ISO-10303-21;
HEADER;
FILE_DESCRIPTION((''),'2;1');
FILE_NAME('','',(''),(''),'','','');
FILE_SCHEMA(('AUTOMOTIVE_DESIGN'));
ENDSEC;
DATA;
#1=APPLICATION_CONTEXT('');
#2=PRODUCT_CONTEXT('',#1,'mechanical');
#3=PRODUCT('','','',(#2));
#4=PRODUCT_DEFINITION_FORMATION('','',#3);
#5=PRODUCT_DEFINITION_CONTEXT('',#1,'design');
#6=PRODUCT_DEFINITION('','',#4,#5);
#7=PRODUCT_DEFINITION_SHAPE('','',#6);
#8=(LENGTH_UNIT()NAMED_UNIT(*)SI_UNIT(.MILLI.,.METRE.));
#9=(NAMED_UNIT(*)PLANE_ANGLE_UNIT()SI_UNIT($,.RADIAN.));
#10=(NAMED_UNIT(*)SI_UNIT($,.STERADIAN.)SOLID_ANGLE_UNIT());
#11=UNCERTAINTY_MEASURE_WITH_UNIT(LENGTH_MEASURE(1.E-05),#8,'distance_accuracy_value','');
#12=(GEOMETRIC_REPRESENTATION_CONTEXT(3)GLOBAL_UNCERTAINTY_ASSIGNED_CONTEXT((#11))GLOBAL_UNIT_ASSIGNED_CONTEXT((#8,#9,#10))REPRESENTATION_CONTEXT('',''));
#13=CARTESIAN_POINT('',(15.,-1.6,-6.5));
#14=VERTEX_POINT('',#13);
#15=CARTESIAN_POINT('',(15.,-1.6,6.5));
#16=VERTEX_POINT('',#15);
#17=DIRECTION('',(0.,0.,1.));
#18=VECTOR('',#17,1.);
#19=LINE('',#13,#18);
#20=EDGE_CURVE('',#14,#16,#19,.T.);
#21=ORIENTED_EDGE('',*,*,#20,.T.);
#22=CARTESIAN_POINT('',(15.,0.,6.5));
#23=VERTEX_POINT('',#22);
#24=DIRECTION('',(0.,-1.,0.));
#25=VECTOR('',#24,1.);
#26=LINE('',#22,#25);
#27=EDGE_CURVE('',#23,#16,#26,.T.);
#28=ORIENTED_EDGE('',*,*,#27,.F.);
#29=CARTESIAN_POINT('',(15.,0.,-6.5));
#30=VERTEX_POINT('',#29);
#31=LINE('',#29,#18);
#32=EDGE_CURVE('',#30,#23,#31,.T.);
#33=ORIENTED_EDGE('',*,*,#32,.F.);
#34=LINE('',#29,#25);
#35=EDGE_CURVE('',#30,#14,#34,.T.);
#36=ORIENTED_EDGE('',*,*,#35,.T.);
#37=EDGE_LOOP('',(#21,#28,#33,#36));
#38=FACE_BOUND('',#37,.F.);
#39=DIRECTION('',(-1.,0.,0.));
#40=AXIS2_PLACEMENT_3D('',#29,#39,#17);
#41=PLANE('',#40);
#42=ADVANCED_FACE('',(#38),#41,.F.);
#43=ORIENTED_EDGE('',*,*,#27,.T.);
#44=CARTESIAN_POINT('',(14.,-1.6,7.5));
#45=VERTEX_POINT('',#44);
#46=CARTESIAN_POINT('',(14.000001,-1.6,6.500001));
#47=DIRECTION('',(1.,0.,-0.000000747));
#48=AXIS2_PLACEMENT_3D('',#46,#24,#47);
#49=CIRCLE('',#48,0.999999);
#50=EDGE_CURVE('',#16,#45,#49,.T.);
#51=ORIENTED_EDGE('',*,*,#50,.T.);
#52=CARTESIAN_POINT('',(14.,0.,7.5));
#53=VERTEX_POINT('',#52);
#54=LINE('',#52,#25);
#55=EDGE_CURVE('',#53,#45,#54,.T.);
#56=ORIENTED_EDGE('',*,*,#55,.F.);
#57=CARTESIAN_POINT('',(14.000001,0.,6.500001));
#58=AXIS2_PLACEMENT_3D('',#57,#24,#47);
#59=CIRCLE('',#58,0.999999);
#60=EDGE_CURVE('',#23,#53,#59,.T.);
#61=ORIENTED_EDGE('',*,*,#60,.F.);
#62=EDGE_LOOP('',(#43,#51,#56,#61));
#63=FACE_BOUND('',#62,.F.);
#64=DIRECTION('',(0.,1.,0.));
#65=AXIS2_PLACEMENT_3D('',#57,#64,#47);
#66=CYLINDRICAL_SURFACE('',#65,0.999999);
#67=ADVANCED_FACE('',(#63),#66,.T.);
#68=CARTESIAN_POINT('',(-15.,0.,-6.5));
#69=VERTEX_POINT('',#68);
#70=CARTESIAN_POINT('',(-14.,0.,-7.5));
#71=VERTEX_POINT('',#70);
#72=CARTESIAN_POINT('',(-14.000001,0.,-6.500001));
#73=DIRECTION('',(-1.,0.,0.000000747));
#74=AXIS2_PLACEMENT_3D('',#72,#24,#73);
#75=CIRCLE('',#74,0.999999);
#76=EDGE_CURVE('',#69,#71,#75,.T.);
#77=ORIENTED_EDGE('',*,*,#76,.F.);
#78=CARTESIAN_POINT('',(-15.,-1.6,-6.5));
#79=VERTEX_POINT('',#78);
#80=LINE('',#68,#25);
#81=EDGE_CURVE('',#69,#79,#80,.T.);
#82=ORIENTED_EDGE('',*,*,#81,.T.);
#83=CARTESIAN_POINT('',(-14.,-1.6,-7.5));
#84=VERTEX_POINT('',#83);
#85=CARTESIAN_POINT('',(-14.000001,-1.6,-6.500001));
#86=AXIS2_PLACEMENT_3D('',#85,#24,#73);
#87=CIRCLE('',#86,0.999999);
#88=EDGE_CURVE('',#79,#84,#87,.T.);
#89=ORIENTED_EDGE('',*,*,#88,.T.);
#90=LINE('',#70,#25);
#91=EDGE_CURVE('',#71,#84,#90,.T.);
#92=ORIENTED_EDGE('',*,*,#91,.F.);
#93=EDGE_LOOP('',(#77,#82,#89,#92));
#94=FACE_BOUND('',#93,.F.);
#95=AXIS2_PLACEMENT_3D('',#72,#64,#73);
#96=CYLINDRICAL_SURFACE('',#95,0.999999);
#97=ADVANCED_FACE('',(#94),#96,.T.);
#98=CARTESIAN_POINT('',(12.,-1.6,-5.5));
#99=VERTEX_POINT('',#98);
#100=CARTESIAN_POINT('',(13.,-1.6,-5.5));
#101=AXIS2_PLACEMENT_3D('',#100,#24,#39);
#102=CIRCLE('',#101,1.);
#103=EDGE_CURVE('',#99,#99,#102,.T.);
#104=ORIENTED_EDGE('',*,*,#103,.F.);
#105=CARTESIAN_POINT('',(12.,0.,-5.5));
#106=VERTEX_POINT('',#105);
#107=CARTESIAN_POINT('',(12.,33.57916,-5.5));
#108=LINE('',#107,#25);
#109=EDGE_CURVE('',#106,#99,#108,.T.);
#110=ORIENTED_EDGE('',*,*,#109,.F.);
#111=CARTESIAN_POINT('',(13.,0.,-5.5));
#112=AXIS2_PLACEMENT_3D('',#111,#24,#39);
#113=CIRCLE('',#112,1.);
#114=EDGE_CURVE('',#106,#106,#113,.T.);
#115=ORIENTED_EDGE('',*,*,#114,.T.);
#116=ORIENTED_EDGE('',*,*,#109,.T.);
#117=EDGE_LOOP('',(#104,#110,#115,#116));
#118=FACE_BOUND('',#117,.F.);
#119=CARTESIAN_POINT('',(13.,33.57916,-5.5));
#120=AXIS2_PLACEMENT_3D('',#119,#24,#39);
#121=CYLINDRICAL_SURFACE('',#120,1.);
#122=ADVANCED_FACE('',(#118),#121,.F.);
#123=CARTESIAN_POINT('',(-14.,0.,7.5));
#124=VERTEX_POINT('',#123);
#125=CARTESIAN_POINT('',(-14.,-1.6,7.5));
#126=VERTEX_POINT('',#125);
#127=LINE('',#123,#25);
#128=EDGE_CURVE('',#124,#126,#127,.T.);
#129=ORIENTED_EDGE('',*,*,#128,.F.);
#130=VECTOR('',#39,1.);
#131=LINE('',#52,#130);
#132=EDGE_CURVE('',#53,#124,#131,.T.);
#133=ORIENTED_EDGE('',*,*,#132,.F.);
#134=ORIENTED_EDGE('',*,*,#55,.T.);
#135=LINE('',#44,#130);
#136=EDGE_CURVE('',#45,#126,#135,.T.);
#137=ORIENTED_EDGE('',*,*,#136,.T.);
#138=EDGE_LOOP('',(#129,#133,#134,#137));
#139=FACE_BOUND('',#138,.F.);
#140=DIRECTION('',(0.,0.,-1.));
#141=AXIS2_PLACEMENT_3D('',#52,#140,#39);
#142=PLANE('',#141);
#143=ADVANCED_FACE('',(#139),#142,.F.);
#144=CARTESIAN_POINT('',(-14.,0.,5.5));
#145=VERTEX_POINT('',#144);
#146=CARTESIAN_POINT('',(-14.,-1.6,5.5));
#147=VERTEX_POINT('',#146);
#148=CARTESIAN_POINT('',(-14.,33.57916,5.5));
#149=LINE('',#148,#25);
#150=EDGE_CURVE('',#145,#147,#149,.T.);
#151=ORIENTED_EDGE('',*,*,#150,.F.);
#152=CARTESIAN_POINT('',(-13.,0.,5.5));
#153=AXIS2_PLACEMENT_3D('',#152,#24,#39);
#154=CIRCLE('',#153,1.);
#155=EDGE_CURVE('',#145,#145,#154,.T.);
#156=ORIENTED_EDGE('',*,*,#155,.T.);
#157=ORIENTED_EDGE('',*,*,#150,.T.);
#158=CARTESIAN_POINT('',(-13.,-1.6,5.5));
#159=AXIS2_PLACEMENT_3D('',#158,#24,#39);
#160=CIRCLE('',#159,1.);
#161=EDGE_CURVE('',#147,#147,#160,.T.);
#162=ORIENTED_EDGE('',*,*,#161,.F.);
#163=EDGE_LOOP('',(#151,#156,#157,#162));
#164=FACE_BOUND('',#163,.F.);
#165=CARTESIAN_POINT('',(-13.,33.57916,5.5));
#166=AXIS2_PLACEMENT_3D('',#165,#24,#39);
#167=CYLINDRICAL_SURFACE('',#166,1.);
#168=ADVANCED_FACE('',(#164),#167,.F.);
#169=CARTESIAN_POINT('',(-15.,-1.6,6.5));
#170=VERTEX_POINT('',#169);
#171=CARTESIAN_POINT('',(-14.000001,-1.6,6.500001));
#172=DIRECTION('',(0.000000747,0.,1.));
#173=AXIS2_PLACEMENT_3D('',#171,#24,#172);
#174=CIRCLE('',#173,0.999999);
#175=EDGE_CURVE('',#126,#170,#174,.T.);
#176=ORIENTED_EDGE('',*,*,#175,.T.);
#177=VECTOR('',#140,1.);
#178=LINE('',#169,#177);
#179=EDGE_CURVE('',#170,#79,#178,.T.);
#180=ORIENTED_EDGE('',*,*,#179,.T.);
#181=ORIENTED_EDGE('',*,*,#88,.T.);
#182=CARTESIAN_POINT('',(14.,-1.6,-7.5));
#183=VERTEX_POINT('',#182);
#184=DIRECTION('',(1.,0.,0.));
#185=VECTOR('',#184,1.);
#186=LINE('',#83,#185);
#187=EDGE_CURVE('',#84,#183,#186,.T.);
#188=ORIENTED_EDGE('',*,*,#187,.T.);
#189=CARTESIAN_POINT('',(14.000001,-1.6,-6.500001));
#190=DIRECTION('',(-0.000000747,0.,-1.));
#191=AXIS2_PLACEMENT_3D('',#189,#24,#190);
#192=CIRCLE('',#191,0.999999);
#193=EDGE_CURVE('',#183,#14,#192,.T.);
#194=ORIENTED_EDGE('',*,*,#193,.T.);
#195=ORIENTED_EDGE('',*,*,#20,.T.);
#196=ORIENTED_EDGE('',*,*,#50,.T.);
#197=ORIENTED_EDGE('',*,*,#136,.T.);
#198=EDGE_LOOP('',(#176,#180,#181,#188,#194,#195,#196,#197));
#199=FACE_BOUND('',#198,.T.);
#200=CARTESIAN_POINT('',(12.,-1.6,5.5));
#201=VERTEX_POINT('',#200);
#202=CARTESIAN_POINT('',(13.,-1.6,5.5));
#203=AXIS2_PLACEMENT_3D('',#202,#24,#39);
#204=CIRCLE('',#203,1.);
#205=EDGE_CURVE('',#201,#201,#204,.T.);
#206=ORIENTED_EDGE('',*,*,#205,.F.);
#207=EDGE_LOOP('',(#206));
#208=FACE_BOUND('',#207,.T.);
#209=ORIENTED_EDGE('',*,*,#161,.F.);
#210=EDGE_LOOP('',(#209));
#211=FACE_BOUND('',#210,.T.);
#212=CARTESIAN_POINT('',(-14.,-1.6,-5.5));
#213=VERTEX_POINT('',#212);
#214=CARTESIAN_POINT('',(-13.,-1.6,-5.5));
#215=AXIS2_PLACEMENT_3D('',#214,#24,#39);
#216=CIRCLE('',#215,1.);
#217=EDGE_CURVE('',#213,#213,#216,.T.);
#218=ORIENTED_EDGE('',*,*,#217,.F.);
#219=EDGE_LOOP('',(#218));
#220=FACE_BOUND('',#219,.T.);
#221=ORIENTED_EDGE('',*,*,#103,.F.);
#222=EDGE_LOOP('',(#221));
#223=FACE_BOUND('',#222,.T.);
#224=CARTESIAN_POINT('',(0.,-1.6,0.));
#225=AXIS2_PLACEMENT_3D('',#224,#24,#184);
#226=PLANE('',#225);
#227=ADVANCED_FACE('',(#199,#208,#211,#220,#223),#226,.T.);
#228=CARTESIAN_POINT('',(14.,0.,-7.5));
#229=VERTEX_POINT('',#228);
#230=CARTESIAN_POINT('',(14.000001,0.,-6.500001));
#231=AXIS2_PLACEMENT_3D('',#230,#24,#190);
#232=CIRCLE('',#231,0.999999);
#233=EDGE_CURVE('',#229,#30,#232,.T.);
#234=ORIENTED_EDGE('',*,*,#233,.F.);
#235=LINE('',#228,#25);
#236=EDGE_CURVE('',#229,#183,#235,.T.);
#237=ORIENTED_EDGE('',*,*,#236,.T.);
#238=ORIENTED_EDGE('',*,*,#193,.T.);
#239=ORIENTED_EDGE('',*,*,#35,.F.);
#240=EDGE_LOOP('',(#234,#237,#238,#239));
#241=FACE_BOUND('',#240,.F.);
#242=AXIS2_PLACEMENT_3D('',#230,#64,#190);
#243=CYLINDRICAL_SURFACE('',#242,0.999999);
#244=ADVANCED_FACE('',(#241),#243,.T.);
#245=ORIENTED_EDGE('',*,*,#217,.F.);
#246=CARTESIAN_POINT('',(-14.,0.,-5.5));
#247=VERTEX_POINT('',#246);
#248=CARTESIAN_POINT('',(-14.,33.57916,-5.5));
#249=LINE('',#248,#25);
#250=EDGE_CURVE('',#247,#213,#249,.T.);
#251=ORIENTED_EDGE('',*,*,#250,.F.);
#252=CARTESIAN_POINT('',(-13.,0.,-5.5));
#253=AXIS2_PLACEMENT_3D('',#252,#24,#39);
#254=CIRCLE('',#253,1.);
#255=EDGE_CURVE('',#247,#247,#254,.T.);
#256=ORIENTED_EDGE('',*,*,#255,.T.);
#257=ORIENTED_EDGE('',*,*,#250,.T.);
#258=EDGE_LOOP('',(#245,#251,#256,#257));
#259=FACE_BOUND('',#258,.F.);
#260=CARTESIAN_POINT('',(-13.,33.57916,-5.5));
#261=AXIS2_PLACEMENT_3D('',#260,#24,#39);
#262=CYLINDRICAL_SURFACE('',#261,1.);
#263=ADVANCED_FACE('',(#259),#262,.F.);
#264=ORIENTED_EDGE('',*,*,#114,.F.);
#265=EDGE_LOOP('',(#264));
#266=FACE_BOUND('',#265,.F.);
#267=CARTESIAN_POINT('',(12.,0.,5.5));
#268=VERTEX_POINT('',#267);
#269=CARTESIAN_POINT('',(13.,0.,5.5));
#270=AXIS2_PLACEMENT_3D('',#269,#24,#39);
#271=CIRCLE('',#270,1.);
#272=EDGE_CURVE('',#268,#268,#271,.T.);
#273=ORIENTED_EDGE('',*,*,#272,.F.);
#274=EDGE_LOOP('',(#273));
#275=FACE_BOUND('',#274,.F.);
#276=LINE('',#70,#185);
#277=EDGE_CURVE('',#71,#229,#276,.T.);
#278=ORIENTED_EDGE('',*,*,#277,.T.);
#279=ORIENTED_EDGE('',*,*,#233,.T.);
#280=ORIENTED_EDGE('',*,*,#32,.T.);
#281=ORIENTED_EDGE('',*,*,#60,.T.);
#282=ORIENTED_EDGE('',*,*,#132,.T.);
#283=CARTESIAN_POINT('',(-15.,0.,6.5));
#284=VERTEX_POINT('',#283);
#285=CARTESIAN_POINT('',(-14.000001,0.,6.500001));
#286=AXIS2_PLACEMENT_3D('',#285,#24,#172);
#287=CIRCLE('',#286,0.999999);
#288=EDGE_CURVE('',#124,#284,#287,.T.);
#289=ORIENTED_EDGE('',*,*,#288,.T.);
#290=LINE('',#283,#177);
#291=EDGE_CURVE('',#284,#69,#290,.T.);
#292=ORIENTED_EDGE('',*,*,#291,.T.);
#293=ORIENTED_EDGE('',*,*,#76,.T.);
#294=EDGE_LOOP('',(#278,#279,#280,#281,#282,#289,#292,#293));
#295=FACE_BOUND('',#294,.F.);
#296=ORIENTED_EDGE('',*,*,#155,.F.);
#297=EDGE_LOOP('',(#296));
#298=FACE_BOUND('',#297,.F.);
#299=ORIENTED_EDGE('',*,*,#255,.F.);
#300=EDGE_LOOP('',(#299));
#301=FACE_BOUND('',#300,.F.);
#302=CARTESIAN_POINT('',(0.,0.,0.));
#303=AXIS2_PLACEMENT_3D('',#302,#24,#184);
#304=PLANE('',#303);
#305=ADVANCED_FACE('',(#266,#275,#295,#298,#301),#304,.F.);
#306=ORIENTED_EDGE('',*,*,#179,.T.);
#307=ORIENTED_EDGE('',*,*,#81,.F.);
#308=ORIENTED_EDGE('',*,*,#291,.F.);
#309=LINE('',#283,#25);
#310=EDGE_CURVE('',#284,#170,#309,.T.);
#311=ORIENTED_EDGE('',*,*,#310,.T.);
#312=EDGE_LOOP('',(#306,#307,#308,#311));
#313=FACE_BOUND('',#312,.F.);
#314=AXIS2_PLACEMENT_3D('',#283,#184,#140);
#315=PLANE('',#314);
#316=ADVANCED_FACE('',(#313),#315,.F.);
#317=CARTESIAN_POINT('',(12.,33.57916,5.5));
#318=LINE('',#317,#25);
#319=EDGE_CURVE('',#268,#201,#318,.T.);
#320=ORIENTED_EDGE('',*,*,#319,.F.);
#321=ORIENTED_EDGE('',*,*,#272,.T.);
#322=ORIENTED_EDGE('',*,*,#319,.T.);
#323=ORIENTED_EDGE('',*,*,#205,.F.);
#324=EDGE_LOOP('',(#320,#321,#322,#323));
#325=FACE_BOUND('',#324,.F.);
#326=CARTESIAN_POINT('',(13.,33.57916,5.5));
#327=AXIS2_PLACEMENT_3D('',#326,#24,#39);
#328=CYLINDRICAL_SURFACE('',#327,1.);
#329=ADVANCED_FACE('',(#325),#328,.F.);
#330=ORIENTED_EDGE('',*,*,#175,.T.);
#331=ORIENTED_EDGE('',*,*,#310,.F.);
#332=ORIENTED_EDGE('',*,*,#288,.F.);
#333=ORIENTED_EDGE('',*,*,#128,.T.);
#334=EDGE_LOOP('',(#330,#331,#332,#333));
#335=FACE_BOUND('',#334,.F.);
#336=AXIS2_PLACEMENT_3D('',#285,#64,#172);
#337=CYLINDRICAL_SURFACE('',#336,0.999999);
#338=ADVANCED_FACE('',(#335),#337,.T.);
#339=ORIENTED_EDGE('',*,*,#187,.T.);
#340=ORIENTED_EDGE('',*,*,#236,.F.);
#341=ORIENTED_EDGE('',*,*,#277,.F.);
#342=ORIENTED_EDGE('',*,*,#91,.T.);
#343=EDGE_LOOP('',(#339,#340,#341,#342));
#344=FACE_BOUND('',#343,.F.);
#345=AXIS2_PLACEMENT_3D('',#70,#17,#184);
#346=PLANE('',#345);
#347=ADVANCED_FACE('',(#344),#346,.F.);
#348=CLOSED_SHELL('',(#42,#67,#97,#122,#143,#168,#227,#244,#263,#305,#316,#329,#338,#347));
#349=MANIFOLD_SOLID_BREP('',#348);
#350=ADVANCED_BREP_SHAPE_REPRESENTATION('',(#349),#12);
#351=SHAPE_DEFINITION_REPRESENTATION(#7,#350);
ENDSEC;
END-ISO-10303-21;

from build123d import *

# Parameters (mm, degrees)
F1_DEPTH = 1.6
F2_D     = 2


with BuildPart() as f1:
    # F0 (on Front) → F1 (new body)
    with BuildSketch(Plane.XZ):
        with BuildLine():
            Line((-14, -7.5), (14, -7.5))
            ThreePointArc((14, -7.5), (14.707107, -7.207107), (15, -6.5))
            Line((15, -6.5), (15, 6.5))
            ThreePointArc((15, 6.5), (14.707107, 7.207107), (14, 7.5))
            Line((14, 7.5), (-14, 7.5))
            ThreePointArc((-14, 7.5), (-14.707107, 7.207107), (-15, 6.5))
            Line((-15, 6.5), (-15, -6.5))
            ThreePointArc((-15, -6.5), (-14.707107, -7.207107), (-14, -7.5))
        make_face()
    extrude(amount=F1_DEPTH)

    # F2 (through all)
    with Locations(Plane(origin=(0, 0, 0), x_dir=(1, 0, 0), z_dir=(0, 1, 0))):
        with Locations((-13, 5.5), (-13, -5.5), (13, -5.5), (13, 5.5)):
            Hole(F2_D / 2)


solid = f1.part
